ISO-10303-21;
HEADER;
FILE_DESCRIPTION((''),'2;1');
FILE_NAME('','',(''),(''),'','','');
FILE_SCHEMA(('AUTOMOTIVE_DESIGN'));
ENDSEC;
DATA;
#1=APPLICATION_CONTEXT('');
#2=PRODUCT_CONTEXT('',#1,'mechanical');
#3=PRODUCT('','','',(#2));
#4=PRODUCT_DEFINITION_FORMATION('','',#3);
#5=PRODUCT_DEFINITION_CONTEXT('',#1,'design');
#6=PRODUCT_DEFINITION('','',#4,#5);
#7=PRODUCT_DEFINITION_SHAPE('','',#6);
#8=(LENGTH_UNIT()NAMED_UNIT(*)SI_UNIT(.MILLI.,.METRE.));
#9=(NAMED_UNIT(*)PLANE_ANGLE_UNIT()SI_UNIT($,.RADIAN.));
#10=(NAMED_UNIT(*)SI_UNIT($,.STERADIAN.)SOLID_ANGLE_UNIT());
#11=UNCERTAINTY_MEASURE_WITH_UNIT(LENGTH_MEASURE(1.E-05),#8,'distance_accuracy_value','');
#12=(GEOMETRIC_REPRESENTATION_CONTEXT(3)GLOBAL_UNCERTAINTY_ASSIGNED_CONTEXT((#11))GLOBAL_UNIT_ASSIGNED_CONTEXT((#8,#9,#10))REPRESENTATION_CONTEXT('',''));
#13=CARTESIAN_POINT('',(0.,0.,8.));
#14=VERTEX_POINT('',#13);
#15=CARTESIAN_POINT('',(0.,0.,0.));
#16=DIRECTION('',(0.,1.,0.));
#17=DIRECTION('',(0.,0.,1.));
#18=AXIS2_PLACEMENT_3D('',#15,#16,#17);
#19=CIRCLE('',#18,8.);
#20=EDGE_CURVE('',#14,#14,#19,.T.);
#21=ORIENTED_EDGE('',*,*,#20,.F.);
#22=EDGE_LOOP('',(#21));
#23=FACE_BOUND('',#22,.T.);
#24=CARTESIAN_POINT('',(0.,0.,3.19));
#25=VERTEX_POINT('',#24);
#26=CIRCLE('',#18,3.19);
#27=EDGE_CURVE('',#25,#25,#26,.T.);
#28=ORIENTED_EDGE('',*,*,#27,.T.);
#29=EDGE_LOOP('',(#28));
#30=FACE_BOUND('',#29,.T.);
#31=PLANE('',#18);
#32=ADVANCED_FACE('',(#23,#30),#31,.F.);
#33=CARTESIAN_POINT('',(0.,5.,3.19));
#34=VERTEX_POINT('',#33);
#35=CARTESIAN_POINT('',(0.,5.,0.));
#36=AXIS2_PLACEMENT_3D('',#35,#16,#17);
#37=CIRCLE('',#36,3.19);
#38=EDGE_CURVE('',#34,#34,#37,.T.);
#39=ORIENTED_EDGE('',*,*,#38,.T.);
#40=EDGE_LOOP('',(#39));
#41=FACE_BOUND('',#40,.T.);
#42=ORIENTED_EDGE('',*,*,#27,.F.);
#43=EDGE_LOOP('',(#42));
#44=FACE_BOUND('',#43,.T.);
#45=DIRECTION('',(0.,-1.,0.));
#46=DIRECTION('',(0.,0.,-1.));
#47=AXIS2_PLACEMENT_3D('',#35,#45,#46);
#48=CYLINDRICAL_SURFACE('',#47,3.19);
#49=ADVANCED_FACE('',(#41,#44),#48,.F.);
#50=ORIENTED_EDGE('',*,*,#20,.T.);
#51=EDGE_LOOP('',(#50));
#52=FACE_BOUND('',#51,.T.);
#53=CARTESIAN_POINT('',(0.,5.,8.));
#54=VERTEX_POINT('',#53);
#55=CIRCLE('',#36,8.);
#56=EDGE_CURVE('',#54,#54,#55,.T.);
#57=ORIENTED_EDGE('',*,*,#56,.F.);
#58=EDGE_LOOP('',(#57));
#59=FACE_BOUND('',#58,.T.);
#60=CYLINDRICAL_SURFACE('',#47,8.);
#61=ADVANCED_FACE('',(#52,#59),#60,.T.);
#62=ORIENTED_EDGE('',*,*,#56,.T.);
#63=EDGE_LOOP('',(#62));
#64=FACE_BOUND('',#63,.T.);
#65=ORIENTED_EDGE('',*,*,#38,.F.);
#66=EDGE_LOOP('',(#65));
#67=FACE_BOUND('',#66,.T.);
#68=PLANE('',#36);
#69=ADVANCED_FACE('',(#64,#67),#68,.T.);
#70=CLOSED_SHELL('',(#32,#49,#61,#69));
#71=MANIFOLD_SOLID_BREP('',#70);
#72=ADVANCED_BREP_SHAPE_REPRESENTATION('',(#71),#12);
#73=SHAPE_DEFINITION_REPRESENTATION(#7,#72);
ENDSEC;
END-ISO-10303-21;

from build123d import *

# Parameters (mm, degrees)
SKETCH1_R           = 8
BOSS_EXTRUDE1_DEPTH = 5
SKETCH2_R           = 3.19
CUT_EXTRUDE1_DEPTH  = 5


with BuildPart() as part:
    # Sketch1 → Boss-Extrude1 (new body)
    with BuildSketch(Plane(origin=(0, 0, 0), x_dir=(1, 0, 0), z_dir=(0, 1, 0))):
        Circle(SKETCH1_R)
    extrude(amount=BOSS_EXTRUDE1_DEPTH)

    # Sketch2 → Cut-Extrude1 (cut)
    with BuildSketch(Plane(origin=(0, 0, 0), x_dir=(1, 0, 0), z_dir=(0, 1, 0))):
        Circle(SKETCH2_R)
    extrude(amount=CUT_EXTRUDE1_DEPTH, mode=Mode.SUBTRACT)


solid = part.part
